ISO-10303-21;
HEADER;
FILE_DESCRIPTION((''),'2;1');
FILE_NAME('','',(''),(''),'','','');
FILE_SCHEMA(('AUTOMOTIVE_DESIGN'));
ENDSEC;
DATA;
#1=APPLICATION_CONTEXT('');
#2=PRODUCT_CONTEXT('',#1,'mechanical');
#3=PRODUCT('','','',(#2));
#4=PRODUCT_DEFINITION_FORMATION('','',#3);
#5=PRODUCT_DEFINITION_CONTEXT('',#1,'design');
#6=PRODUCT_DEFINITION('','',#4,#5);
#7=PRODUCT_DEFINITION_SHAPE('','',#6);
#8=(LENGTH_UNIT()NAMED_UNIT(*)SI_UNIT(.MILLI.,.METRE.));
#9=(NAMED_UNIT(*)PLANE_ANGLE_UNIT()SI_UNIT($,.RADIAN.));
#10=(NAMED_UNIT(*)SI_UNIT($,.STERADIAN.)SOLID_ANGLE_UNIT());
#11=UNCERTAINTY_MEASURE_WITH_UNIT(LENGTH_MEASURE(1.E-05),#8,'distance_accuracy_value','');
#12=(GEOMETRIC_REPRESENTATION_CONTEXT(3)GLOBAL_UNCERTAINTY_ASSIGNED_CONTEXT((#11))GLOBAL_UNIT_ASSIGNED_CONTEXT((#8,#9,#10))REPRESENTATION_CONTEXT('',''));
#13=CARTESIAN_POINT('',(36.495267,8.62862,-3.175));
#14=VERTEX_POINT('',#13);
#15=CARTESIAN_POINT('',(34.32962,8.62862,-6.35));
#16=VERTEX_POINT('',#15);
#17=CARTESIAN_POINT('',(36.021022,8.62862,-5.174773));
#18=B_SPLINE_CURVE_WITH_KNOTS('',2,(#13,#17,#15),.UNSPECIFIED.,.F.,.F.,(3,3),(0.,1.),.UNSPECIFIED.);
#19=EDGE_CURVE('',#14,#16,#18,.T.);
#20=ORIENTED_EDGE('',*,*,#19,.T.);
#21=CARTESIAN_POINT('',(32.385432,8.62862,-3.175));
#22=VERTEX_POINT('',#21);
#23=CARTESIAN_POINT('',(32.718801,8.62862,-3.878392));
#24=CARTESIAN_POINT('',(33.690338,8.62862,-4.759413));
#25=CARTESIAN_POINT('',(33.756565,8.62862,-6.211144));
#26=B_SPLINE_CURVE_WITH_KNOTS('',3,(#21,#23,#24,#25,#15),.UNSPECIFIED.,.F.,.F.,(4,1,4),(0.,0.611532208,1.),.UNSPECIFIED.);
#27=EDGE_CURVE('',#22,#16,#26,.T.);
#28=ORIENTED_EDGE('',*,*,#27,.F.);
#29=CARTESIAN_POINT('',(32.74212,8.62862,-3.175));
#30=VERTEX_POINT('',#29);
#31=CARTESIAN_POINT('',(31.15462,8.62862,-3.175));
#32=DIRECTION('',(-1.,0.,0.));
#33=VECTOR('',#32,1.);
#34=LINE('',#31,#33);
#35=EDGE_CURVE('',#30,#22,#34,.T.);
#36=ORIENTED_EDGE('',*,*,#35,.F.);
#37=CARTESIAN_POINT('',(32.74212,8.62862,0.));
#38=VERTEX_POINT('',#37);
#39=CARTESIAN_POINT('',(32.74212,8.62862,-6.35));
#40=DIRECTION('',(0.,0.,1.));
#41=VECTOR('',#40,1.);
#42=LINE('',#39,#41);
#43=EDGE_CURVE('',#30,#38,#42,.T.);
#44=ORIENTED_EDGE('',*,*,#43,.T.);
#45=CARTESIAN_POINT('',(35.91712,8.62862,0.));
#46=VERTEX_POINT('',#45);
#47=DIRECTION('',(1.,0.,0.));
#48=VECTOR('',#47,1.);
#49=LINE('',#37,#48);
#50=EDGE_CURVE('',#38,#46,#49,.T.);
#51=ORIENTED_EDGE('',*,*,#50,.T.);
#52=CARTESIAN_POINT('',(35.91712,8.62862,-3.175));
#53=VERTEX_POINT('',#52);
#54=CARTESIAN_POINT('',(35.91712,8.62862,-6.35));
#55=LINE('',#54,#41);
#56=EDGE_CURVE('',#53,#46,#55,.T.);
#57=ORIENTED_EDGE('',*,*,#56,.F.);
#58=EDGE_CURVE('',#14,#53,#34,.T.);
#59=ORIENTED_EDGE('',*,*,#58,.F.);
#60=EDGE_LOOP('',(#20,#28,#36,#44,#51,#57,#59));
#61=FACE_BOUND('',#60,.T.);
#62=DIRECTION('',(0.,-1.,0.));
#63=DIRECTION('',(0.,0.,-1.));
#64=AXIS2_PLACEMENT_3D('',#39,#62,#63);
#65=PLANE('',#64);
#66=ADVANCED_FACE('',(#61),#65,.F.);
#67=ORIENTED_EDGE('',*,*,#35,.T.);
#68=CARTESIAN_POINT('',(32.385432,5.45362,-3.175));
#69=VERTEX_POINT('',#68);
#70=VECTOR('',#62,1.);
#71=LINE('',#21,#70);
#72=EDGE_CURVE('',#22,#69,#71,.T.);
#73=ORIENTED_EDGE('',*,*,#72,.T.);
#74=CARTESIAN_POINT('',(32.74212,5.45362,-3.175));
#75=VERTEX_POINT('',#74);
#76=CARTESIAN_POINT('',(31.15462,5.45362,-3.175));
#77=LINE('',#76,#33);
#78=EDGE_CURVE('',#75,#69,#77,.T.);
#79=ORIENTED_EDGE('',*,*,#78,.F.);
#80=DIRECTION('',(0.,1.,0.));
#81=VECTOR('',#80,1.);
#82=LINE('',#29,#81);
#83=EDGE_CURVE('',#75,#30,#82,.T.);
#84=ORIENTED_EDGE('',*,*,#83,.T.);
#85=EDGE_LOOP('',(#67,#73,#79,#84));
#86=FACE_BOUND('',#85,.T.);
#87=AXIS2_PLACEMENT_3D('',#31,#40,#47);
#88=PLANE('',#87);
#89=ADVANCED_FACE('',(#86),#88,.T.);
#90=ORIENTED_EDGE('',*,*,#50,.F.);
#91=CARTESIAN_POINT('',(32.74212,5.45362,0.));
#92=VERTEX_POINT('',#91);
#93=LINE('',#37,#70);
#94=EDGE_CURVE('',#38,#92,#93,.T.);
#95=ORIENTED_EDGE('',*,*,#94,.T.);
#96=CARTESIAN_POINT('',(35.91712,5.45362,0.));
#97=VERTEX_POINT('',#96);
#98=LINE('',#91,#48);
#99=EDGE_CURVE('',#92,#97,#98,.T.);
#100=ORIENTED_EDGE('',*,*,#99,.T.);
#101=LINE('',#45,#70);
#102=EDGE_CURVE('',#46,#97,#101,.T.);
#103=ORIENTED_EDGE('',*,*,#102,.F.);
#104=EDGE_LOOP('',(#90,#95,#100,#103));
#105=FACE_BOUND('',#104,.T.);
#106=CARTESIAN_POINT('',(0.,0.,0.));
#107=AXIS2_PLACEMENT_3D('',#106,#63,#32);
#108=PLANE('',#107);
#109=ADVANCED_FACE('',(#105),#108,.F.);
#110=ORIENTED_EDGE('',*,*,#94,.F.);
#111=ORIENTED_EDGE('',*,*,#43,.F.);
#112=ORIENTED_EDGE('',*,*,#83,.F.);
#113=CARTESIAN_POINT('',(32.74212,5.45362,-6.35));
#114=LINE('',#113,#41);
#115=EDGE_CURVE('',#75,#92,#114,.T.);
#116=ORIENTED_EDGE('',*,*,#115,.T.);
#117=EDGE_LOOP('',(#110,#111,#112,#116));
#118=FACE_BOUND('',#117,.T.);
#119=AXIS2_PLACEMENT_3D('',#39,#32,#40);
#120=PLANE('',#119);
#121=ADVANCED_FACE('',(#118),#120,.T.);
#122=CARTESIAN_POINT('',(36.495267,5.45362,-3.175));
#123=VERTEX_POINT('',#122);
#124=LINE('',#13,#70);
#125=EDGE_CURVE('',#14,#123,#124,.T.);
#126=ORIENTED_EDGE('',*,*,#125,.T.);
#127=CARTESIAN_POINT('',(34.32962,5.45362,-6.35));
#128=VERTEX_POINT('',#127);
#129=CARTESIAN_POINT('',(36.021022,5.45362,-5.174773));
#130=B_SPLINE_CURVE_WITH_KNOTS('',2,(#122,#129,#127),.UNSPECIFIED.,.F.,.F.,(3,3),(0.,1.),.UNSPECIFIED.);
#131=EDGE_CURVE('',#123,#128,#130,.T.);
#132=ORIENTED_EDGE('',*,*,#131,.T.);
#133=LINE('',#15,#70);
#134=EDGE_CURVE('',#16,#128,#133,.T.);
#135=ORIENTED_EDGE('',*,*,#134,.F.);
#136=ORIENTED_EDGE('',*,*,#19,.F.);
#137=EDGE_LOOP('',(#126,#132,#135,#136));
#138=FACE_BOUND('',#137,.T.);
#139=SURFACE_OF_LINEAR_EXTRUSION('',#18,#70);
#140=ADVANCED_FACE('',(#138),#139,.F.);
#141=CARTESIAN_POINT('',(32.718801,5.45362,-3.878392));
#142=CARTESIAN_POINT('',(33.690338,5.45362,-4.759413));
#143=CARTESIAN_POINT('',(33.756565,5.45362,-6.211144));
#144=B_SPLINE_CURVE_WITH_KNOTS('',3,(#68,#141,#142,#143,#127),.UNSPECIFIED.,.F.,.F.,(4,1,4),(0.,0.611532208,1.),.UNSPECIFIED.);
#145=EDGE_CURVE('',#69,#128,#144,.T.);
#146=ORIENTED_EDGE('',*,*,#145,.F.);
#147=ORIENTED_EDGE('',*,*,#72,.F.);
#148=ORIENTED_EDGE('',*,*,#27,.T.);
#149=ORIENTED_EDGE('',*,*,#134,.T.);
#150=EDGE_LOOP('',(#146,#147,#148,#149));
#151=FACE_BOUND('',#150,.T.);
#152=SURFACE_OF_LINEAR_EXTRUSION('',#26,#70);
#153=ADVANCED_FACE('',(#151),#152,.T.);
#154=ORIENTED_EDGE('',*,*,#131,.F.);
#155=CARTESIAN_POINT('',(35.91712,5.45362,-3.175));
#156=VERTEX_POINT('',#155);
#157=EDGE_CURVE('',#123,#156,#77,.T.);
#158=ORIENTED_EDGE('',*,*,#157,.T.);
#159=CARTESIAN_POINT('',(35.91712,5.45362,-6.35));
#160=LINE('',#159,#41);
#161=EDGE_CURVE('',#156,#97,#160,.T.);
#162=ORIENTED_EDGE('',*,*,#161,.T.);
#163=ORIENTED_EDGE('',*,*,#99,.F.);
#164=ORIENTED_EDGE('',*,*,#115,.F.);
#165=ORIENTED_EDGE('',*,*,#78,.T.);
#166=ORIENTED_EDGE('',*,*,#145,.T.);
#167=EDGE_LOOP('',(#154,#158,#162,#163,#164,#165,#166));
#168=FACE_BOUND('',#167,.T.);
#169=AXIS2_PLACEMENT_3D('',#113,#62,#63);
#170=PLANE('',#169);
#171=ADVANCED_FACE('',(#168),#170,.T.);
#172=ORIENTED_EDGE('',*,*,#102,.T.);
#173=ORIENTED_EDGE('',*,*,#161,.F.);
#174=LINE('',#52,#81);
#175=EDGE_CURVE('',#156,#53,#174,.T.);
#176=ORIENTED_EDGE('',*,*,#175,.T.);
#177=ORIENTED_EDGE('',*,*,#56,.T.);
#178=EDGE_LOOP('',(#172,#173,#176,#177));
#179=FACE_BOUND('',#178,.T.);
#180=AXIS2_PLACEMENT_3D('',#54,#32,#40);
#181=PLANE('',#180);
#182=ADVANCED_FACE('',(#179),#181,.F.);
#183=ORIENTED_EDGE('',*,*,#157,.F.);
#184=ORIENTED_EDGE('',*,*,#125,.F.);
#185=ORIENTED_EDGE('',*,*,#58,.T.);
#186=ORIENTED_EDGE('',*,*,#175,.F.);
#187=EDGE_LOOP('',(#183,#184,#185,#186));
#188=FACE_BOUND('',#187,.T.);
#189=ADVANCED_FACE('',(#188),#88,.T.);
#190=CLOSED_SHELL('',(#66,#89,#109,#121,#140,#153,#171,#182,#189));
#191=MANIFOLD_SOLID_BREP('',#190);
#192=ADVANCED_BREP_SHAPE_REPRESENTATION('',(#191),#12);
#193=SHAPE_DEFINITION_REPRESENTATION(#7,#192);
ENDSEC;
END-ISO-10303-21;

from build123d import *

# Parameters (mm, degrees)
SKETCH1_W           = 3.175
SKETCH1_H           = 3.175
BOSS_EXTRUDE1_DEPTH = 6.35
SKETCH2_W           = 6.35
SKETCH2_H           = 3.175
BOSS_EXTRUDE2_DEPTH = 3.175
CUT_EXTRUDE1_DEPTH  = 39.17066496


with BuildPart() as part:
    # Sketch1 → Boss-Extrude1 (new body)
    with BuildSketch(Plane.XY):
        with Locations((34.329620229, 7.041119721)):
            Rectangle(SKETCH1_W, SKETCH1_H)
    extrude(amount=-BOSS_EXTRUDE1_DEPTH)

    # Sketch2 → Boss-Extrude2 (add)
    with BuildSketch(Plane.XZ.offset(-5.453619721)):
        with Locations((34.329620229, -4.7625)):
            Rectangle(SKETCH2_W, SKETCH2_H)
    extrude(amount=-BOSS_EXTRUDE2_DEPTH)

    # Sketch3 → Cut-Extrude1 (cut, through all)
    with BuildSketch(Plane.XZ.offset(-5.453619721)):
        with BuildLine():
            Line((32.385431634, -3.175), (31.154620229, -3.175))
            Line((31.154620229, -3.175), (31.154620229, -6.35))
            Line((31.154620229, -6.35), (34.329620229, -6.35))
            add(Edge.make_bspline(
                [(32.385431634, -3.175), (32.718801205, -3.878392461), (33.690338088, -4.759412755), (33.756564545, -6.211143962), (34.329620229, -6.35)],
                knots=[0, 0, 0, 0, 0.611532208, 1, 1, 1, 1], degree=3))
        make_face()
        with BuildLine():
            add(Edge.make_bspline(
                [(36.495266727, -3.175), (36.021022313, -5.174773028), (34.329620229, -6.35)],
                knots=[0, 0, 0, 1, 1, 1], degree=2))
            Line((34.329620229, -6.35), (37.504620229, -6.35))
            Line((37.504620229, -6.35), (37.504620229, -3.175))
            Line((37.504620229, -3.175), (36.495266727, -3.175))
        make_face()
        Polygon((31.154620229, -3.175), (30.277564026, -3.175), (30.277564026, -6.620269694), (37.803879314, -6.620269694), (37.803879314, -3.175), (37.504620229, -3.175), (37.504620229, -6.35), (34.329620229, -6.35), (31.154620229, -6.35), align=None)
    extrude(amount=-CUT_EXTRUDE1_DEPTH, mode=Mode.SUBTRACT)


solid = part.part
